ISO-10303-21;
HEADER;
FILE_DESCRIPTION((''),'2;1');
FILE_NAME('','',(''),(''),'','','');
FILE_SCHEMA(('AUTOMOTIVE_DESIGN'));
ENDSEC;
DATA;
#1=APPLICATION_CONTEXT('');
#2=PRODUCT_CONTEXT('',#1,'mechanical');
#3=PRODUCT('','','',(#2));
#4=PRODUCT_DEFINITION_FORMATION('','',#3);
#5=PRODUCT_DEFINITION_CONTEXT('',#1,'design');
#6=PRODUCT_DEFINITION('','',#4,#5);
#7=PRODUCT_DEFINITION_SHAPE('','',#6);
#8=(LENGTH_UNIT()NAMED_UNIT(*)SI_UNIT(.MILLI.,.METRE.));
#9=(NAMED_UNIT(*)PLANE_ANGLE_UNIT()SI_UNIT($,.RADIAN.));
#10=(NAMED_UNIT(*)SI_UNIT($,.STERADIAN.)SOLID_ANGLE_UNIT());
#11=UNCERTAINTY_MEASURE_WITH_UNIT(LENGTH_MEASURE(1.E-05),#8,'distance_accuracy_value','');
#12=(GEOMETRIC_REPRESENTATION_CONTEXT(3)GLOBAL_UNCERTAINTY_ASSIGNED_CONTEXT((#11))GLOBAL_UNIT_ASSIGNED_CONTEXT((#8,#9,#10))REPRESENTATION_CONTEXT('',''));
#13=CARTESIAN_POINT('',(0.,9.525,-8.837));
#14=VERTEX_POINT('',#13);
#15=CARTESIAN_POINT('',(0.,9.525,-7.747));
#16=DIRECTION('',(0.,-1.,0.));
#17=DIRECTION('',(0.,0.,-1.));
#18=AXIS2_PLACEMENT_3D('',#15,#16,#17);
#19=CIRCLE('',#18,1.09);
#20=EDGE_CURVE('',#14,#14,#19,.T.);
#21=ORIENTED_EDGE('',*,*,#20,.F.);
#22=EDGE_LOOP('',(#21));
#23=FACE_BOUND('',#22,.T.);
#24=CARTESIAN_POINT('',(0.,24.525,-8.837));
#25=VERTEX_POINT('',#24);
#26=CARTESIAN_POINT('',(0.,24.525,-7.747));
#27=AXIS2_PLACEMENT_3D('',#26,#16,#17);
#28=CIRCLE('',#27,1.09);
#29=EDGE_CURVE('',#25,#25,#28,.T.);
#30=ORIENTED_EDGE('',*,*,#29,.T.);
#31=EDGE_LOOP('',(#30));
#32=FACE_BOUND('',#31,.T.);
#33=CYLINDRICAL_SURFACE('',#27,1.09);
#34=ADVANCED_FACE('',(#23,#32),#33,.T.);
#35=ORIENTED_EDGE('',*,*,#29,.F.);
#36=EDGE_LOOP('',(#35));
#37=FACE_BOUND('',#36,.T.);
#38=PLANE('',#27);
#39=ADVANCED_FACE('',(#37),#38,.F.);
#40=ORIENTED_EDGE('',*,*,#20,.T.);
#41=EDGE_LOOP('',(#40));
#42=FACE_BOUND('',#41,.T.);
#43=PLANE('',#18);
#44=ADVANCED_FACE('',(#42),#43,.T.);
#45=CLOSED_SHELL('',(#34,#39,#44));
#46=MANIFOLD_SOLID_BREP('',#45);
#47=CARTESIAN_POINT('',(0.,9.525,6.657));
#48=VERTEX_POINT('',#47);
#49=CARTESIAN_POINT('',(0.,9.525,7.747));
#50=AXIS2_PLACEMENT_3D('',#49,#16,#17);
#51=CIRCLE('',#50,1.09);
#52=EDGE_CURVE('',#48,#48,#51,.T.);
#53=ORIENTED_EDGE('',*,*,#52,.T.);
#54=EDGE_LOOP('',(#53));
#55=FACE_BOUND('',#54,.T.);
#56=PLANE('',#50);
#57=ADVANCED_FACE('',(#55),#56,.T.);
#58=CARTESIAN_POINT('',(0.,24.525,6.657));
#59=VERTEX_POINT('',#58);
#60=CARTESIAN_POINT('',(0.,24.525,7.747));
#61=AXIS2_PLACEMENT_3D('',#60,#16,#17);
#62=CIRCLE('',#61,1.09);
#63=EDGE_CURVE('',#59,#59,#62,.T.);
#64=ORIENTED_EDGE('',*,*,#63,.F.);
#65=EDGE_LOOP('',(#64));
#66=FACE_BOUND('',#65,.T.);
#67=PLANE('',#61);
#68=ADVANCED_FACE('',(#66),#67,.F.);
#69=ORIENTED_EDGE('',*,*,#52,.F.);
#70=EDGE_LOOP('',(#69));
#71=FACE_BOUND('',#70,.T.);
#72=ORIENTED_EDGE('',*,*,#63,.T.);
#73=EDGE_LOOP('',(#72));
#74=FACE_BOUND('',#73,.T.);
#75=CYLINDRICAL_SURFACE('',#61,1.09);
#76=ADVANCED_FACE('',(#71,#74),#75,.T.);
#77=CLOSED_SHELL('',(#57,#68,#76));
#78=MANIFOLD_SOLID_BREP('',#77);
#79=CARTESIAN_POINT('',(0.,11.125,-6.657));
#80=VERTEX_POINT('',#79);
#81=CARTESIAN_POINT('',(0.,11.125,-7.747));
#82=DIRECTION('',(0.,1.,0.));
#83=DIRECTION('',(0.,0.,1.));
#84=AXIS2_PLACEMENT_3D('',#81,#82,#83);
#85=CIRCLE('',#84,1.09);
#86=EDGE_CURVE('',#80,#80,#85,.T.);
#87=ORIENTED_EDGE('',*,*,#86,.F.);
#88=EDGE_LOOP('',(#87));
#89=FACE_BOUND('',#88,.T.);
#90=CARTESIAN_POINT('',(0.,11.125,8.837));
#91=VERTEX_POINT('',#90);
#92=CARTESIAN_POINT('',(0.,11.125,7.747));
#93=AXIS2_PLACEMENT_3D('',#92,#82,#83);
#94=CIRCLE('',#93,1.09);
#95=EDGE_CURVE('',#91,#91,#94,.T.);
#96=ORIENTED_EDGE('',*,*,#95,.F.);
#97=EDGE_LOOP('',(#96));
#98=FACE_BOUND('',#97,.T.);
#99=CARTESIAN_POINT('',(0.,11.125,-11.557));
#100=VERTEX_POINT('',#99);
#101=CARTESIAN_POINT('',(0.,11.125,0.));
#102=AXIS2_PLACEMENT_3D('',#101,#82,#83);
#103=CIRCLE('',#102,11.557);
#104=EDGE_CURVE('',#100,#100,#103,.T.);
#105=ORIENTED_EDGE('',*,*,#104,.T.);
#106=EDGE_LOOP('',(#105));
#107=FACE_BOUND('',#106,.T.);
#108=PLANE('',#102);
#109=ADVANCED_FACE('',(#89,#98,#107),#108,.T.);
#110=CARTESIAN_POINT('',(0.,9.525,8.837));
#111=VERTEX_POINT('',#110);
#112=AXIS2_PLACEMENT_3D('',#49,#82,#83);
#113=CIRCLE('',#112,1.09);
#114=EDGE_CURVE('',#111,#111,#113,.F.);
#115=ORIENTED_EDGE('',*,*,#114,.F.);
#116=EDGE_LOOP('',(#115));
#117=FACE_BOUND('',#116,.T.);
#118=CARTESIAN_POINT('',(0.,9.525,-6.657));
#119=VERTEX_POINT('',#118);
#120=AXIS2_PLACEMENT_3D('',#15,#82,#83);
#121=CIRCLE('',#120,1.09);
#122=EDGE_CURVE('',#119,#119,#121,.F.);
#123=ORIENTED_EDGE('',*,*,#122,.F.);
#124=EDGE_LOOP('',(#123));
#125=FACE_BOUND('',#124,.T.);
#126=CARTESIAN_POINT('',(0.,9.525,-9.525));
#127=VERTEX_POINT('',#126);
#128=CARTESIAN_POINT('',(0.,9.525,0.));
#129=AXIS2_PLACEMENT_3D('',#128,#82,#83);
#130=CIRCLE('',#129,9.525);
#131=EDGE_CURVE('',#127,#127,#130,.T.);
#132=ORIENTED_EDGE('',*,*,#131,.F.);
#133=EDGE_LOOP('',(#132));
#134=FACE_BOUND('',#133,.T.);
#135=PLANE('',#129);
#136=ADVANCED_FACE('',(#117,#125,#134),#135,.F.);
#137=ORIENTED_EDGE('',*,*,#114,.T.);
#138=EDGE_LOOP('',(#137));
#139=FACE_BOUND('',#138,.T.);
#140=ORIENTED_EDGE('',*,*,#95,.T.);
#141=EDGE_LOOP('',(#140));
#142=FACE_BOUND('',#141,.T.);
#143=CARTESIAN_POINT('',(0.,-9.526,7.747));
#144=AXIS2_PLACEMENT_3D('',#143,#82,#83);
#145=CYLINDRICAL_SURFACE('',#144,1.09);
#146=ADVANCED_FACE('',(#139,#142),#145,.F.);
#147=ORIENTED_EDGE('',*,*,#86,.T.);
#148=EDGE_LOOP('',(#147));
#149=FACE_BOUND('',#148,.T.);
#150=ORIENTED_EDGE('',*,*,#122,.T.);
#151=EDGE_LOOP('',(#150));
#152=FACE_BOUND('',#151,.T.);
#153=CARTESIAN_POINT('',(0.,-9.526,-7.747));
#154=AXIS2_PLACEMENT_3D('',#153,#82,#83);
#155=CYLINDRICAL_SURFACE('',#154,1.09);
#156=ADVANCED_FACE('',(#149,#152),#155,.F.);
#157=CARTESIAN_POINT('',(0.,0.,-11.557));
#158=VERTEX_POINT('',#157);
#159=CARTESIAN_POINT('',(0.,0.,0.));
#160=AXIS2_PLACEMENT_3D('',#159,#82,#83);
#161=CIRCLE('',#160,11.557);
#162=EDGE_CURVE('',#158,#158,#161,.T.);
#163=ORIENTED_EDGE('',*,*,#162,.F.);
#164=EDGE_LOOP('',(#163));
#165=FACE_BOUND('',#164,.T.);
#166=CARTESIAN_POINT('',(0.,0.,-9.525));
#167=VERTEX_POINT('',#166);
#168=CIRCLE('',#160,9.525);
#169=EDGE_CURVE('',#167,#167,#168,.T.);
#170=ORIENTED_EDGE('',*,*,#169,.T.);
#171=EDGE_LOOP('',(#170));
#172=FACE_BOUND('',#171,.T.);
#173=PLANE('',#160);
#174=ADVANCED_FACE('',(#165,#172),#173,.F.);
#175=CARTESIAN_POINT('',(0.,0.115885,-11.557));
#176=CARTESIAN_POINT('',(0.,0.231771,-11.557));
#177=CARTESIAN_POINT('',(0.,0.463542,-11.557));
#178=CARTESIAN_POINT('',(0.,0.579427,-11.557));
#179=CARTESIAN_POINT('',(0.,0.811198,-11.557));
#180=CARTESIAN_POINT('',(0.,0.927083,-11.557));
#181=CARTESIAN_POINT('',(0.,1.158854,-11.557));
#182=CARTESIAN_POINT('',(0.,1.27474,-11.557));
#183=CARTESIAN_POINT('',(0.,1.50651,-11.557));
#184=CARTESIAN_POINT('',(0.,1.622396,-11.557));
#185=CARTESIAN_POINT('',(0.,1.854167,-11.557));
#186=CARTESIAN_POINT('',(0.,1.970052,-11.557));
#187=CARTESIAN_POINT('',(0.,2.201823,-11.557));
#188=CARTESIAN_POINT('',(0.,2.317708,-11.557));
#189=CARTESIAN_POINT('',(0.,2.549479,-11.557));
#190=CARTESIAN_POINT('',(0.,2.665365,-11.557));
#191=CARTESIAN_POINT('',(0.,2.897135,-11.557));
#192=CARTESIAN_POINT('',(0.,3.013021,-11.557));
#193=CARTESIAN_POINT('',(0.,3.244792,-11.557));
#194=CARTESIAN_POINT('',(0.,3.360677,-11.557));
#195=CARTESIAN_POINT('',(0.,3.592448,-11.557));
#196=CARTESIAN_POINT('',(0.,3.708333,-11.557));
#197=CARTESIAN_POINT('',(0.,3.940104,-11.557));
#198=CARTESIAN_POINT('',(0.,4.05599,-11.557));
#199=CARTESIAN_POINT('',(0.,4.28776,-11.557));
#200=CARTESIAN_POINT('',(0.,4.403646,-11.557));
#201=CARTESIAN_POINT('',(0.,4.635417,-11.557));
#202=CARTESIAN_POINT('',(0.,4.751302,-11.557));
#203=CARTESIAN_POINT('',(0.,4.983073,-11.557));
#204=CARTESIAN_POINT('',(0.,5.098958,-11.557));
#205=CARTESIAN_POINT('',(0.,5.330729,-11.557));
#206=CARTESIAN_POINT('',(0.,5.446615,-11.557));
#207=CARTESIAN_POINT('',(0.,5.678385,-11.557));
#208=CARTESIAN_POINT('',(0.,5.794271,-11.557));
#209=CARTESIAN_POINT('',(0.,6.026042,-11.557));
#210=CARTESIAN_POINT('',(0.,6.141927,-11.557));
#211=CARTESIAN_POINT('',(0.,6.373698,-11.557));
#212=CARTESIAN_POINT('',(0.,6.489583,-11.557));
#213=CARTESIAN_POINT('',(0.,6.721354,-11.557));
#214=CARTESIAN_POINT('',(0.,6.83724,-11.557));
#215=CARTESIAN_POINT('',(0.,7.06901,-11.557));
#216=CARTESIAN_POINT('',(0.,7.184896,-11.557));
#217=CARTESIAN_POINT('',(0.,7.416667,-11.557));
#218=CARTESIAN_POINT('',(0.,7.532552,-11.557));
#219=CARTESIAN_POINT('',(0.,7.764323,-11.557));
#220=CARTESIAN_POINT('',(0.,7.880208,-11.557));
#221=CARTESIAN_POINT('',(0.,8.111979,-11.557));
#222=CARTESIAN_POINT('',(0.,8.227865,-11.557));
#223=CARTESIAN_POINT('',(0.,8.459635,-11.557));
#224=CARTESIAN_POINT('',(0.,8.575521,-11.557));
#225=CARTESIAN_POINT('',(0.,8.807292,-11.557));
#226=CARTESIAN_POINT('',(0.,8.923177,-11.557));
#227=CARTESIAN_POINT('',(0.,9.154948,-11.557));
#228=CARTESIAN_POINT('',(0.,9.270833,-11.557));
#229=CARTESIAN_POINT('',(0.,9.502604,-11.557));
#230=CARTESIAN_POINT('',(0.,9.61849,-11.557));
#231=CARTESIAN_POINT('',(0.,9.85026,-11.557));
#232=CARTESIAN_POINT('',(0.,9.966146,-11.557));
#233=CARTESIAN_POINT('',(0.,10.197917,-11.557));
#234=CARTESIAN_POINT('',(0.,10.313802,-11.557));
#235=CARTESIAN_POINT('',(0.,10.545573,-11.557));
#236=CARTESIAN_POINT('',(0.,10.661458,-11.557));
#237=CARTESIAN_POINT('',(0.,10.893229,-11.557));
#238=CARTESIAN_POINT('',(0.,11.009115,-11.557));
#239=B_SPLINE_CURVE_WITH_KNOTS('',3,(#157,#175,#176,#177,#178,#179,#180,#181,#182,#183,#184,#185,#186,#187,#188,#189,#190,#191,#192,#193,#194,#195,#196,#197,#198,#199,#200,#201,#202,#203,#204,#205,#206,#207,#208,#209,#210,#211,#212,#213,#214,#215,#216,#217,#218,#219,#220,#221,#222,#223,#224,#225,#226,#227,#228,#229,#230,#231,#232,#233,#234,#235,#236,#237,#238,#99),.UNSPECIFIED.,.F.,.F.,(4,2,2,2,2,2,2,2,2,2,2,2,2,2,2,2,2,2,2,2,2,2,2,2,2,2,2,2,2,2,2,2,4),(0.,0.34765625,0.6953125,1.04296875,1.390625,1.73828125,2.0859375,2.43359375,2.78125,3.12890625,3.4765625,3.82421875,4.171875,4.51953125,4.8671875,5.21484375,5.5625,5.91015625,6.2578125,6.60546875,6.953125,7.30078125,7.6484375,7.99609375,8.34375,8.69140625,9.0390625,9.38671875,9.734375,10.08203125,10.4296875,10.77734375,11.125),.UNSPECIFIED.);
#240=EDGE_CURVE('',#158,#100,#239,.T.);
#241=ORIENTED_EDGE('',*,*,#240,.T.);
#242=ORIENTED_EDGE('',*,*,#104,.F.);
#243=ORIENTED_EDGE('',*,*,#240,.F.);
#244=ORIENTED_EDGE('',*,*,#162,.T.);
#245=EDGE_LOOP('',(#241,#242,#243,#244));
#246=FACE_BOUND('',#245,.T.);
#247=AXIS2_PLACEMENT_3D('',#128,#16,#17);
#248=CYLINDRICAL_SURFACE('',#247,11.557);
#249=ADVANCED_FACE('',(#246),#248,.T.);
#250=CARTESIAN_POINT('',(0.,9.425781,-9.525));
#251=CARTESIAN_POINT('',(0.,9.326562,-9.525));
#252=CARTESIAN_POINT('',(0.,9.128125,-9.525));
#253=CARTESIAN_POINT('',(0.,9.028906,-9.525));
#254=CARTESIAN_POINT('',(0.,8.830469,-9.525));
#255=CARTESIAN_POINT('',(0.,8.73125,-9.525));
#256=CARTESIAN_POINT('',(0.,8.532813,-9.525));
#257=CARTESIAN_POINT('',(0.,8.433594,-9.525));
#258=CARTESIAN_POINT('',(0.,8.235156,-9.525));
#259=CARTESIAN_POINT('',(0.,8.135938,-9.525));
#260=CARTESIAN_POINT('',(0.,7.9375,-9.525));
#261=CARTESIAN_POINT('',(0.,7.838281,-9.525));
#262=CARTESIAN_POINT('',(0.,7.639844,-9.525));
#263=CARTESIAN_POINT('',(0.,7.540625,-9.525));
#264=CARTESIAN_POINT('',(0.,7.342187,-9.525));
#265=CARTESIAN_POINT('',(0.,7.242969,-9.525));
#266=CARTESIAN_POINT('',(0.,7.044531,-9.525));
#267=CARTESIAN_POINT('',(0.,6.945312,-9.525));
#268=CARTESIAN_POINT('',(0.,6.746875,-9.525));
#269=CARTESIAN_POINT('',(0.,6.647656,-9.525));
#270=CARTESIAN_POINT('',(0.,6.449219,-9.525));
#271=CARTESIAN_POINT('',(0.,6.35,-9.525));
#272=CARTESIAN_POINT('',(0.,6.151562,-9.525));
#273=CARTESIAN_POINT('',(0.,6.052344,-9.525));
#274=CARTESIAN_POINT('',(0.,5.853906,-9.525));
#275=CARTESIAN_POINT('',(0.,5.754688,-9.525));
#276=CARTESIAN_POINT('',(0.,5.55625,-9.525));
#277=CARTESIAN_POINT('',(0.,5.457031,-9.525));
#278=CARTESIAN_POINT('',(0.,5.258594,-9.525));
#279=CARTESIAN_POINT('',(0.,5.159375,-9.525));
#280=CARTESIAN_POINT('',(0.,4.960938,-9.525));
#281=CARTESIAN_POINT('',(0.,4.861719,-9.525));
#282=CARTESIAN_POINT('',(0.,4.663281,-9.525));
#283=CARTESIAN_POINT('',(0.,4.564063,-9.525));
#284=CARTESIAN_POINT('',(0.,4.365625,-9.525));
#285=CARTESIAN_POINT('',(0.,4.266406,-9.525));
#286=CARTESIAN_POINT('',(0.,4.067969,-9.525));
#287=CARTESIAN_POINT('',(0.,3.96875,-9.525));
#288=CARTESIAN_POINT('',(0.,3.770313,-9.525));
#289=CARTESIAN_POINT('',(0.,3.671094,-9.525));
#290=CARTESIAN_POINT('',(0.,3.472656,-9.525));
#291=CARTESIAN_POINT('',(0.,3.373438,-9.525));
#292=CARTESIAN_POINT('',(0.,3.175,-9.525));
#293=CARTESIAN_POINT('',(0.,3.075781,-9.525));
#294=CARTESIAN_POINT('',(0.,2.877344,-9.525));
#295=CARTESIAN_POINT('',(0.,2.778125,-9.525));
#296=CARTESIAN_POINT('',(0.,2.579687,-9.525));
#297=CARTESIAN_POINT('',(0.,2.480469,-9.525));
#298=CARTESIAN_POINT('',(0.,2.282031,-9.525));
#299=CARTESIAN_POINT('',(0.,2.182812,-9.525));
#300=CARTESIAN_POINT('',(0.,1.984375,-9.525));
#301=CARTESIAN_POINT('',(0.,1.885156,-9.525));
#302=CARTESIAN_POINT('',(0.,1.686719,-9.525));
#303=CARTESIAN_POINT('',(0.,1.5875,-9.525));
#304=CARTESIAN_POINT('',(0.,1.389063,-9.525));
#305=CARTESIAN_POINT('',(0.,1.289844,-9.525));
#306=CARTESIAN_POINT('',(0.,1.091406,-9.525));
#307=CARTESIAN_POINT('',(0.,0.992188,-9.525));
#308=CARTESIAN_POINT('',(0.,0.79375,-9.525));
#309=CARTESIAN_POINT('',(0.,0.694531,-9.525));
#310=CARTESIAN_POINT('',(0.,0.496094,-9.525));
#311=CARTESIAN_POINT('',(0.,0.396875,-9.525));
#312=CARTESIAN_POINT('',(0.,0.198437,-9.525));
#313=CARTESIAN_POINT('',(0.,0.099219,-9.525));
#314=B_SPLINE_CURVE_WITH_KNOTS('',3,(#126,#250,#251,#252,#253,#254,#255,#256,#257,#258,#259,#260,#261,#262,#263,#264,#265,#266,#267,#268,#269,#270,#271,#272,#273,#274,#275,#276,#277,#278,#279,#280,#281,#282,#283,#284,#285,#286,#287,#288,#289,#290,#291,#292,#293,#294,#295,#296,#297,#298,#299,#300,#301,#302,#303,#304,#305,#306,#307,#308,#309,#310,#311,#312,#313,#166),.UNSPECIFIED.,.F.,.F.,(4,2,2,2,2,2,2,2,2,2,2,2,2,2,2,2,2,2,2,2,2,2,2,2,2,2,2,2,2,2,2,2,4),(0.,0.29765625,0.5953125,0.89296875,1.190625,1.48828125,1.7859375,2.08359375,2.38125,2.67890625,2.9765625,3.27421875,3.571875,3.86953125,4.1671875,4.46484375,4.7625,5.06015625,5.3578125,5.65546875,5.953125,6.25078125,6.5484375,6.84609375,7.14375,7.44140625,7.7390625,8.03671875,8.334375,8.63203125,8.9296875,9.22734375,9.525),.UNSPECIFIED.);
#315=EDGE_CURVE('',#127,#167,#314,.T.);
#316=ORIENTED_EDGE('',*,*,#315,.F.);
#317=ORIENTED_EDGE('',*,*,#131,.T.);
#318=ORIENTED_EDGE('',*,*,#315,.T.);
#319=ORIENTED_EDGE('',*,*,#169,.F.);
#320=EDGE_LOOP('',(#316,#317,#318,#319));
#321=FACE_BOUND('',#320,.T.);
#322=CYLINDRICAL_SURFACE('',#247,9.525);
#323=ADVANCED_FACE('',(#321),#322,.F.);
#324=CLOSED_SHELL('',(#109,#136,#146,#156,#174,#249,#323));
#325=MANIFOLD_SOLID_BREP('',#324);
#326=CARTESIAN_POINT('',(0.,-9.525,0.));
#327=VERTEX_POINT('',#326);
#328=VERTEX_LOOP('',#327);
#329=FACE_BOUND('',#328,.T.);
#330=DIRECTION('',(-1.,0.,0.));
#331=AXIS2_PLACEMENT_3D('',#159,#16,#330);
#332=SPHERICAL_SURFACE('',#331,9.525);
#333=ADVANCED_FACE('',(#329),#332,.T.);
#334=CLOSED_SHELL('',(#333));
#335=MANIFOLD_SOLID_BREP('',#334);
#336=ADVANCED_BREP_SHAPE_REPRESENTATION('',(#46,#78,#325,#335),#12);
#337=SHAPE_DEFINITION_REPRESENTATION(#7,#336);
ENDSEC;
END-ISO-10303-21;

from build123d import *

# Parameters (mm, degrees)
SKETCH2_R          = 11.557
SKETCH2_R_2        = 9.525
HOUSING_PT_1_DEPTH = 9.525
SKETCH3_R          = 11.557
HOUSING_PT_2_DEPTH = 1.6
SKETCH4_R          = 1.09
SCREW_HOLES_DEPTH  = 1.6
SKETCH5_R          = 1.09
SCREWS_DEPTH       = 15
SCREWS_2_DEPTH     = 15


with BuildPart() as part:
    # Sketch1 → Metal Ball 3/4" (revolve)
    with BuildSketch(Plane.XY):
        with BuildLine():
            Line((0, -9.525), (0, 9.525))
            ThreePointArc((0, 9.525), (9.525, 0), (0, -9.525))
        make_face()
    revolve(axis=Axis((0, -9.525, 0), (0, 1, 0)))


with BuildPart() as body_2:
    # Sketch2 → Housing Pt. 1 (new body)
    with BuildSketch(Plane(origin=(0, 0, 0), x_dir=(1, 0, 0), z_dir=(0, 1, 0))):
        with Locations(Location((0, 0, 0), (0, 0, 90))):
            Circle(SKETCH2_R)
        with Locations(Location((0, 0, 0), (0, 0, 90))):
            Circle(SKETCH2_R_2, mode=Mode.SUBTRACT)
    extrude(amount=HOUSING_PT_1_DEPTH)

    # Sketch3 → Housing Pt. 2 (add)
    with BuildSketch(Plane(origin=(0, 9.525, 0), x_dir=(1, 0, 0), z_dir=(0, 1, 0))):
        with Locations(Location((0, 0, 0), (0, 0, 90))):
            Circle(SKETCH3_R)
    extrude(amount=HOUSING_PT_2_DEPTH)

    # Sketch4 → Screw Holes (cut)
    with BuildSketch(Plane(origin=(0, 11.125, 0), x_dir=(1, 0, 0), z_dir=(0, 1, 0))):
        with Locations(Location((0, 7.747, 0), (0, 0, 270))):
            Circle(SKETCH4_R)
        with Locations(Location((0, -7.747, 0), (0, 0, 270))):
            Circle(SKETCH4_R)
    extrude(amount=-SCREW_HOLES_DEPTH, mode=Mode.SUBTRACT)


with BuildPart() as body_3:
    # Sketch5 → Screws (new body)
    with BuildSketch(Plane.XZ.offset(-9.525)):
        with Locations(Location((0, 7.747, 0), (0, 0, 270))):
            Circle(SKETCH5_R)
    extrude(amount=-SCREWS_DEPTH)


with BuildPart() as body_4:
    # Sketch5 → Screws 2 (new body)
    with BuildSketch(Plane.XZ.offset(-9.525)):
        with Locations(Location((0, -7.747, 0), (0, 0, 270))):
            Circle(SKETCH5_R)
    extrude(amount=-SCREWS_2_DEPTH)


solid = Compound([part.part, body_2.part, body_3.part, body_4.part])
